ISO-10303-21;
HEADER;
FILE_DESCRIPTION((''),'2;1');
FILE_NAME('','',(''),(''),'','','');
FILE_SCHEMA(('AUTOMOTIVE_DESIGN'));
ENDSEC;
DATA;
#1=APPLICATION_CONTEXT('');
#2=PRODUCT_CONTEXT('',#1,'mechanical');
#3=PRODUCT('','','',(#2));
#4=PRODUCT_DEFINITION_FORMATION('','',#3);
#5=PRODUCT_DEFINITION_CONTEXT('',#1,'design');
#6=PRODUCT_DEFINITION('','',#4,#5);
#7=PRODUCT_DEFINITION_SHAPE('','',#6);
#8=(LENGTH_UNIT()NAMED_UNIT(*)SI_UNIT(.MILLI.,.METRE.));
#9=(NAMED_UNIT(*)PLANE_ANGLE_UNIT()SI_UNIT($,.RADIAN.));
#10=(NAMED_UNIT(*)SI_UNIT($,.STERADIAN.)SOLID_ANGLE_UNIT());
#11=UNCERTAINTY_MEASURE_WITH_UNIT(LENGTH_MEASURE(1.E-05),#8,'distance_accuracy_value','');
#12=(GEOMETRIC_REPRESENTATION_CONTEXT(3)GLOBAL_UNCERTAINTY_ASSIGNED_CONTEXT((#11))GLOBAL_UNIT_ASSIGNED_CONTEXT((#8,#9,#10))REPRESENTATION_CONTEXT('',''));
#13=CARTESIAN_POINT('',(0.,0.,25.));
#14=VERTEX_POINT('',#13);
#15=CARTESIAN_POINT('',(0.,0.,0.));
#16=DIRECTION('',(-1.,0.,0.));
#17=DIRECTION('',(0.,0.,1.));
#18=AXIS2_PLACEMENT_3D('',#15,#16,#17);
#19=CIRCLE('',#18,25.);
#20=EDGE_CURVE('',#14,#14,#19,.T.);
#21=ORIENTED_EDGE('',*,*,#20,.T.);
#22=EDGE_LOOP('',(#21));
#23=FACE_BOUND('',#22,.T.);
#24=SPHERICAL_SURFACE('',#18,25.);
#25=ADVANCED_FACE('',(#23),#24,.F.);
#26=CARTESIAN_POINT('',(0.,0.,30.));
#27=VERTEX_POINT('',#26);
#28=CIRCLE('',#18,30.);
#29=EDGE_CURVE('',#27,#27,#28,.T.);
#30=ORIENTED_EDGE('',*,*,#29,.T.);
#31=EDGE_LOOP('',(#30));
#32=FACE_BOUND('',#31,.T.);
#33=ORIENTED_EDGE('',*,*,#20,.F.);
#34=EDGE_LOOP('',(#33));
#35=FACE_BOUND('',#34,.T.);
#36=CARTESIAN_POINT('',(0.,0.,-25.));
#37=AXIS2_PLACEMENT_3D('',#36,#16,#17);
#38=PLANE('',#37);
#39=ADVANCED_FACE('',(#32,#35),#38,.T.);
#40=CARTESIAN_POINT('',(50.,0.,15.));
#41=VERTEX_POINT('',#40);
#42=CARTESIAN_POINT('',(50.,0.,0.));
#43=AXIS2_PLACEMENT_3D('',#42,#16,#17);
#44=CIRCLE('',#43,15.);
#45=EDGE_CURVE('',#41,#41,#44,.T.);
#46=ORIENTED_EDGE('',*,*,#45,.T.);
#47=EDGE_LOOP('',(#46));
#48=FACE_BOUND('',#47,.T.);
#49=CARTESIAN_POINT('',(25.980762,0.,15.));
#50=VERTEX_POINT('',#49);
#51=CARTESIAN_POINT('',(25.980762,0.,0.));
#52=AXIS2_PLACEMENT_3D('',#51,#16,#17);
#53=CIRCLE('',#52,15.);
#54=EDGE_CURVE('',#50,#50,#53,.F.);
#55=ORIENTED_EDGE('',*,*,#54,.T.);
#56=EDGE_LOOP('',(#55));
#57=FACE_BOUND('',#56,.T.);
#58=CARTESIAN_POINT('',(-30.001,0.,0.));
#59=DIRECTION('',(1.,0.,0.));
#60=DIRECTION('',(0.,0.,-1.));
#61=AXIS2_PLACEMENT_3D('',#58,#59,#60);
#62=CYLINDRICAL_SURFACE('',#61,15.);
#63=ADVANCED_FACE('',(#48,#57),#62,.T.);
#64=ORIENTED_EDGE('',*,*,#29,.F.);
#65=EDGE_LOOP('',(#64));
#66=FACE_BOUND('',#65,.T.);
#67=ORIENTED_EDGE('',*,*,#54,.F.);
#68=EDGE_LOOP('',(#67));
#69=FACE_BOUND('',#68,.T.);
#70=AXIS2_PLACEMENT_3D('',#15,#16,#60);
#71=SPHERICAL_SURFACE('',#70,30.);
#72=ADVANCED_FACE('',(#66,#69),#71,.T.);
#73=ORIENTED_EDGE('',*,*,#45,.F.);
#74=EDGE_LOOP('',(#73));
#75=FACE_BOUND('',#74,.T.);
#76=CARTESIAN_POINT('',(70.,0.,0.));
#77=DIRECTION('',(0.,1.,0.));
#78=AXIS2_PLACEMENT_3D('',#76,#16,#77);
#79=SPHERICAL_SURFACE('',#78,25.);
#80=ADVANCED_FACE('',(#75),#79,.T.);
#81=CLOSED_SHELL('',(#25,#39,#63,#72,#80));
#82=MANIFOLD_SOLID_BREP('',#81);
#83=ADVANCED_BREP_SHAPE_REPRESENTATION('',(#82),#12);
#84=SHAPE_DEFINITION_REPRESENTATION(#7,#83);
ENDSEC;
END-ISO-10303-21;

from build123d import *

# Parameters (mm, degrees)
SALIENTE_EXTRUIR2_START             = -40
CROQUIS2_R                          = 15
SALIENTE_EXTRUIR2_DEPTH             = 10
SALIENTE_EXTRUIR2_DIRECTION_2_REACH = 93.962


with BuildPart() as part:
    # Croquis1 → Revolución-Lámina1 (revolve)
    with BuildSketch(Plane(origin=(0, 0, 0), x_dir=(1, 0, 0), z_dir=(0, 1, 0))):
        with BuildLine():
            ThreePointArc((25, 0), (17.67766953, 17.67766953), (0, 25))
            Line((0, 25), (0, 30))
            ThreePointArc((0, 30), (21.213203436, 21.213203436), (30, 0))
            Line((30, 0), (25, 0))
        make_face()
    revolve(axis=Axis((0, 0, 0), (1, 0, 0)))

    # Croquis2 → Saliente-Extruir2 (add)
    with BuildSketch(Plane.ZY.offset(SALIENTE_EXTRUIR2_START)):
        Circle(CROQUIS2_R)
    extrude(amount=-SALIENTE_EXTRUIR2_DEPTH)

    # Croquis2 → Saliente-Extruir2 direction 2 (add, up to next)
    with BuildSketch(Plane.ZY.offset(SALIENTE_EXTRUIR2_START), mode=Mode.PRIVATE) as saliente_extruir2_direction_2_sk1:
        Circle(CROQUIS2_R)
    saliente_extruir2_direction_2_tool1 = extrude(saliente_extruir2_direction_2_sk1.sketch, amount=SALIENTE_EXTRUIR2_DIRECTION_2_REACH, mode=Mode.PRIVATE) - part.part
    add(saliente_extruir2_direction_2_tool1.solids().sort_by_distance((40, 0, 0))[0])

    # Croquis3 → Revolución1 (revolve)
    with BuildSketch(Plane.XY, mode=Mode.PRIVATE) as revoluci_n1_sk:
        with BuildLine():
            Line((50, 0), (50, 15))
            ThreePointArc((50, 15), (77.90569415, 23.717082451), (95, 0))
            Line((95, 0), (50, 0))
        make_face()
    revolve(revoluci_n1_sk.sketch.rotate(Axis((50, 0, 0), (1, 0, 0)), 90), axis=Axis((50, 0, 0), (1, 0, 0)))


solid = part.part
